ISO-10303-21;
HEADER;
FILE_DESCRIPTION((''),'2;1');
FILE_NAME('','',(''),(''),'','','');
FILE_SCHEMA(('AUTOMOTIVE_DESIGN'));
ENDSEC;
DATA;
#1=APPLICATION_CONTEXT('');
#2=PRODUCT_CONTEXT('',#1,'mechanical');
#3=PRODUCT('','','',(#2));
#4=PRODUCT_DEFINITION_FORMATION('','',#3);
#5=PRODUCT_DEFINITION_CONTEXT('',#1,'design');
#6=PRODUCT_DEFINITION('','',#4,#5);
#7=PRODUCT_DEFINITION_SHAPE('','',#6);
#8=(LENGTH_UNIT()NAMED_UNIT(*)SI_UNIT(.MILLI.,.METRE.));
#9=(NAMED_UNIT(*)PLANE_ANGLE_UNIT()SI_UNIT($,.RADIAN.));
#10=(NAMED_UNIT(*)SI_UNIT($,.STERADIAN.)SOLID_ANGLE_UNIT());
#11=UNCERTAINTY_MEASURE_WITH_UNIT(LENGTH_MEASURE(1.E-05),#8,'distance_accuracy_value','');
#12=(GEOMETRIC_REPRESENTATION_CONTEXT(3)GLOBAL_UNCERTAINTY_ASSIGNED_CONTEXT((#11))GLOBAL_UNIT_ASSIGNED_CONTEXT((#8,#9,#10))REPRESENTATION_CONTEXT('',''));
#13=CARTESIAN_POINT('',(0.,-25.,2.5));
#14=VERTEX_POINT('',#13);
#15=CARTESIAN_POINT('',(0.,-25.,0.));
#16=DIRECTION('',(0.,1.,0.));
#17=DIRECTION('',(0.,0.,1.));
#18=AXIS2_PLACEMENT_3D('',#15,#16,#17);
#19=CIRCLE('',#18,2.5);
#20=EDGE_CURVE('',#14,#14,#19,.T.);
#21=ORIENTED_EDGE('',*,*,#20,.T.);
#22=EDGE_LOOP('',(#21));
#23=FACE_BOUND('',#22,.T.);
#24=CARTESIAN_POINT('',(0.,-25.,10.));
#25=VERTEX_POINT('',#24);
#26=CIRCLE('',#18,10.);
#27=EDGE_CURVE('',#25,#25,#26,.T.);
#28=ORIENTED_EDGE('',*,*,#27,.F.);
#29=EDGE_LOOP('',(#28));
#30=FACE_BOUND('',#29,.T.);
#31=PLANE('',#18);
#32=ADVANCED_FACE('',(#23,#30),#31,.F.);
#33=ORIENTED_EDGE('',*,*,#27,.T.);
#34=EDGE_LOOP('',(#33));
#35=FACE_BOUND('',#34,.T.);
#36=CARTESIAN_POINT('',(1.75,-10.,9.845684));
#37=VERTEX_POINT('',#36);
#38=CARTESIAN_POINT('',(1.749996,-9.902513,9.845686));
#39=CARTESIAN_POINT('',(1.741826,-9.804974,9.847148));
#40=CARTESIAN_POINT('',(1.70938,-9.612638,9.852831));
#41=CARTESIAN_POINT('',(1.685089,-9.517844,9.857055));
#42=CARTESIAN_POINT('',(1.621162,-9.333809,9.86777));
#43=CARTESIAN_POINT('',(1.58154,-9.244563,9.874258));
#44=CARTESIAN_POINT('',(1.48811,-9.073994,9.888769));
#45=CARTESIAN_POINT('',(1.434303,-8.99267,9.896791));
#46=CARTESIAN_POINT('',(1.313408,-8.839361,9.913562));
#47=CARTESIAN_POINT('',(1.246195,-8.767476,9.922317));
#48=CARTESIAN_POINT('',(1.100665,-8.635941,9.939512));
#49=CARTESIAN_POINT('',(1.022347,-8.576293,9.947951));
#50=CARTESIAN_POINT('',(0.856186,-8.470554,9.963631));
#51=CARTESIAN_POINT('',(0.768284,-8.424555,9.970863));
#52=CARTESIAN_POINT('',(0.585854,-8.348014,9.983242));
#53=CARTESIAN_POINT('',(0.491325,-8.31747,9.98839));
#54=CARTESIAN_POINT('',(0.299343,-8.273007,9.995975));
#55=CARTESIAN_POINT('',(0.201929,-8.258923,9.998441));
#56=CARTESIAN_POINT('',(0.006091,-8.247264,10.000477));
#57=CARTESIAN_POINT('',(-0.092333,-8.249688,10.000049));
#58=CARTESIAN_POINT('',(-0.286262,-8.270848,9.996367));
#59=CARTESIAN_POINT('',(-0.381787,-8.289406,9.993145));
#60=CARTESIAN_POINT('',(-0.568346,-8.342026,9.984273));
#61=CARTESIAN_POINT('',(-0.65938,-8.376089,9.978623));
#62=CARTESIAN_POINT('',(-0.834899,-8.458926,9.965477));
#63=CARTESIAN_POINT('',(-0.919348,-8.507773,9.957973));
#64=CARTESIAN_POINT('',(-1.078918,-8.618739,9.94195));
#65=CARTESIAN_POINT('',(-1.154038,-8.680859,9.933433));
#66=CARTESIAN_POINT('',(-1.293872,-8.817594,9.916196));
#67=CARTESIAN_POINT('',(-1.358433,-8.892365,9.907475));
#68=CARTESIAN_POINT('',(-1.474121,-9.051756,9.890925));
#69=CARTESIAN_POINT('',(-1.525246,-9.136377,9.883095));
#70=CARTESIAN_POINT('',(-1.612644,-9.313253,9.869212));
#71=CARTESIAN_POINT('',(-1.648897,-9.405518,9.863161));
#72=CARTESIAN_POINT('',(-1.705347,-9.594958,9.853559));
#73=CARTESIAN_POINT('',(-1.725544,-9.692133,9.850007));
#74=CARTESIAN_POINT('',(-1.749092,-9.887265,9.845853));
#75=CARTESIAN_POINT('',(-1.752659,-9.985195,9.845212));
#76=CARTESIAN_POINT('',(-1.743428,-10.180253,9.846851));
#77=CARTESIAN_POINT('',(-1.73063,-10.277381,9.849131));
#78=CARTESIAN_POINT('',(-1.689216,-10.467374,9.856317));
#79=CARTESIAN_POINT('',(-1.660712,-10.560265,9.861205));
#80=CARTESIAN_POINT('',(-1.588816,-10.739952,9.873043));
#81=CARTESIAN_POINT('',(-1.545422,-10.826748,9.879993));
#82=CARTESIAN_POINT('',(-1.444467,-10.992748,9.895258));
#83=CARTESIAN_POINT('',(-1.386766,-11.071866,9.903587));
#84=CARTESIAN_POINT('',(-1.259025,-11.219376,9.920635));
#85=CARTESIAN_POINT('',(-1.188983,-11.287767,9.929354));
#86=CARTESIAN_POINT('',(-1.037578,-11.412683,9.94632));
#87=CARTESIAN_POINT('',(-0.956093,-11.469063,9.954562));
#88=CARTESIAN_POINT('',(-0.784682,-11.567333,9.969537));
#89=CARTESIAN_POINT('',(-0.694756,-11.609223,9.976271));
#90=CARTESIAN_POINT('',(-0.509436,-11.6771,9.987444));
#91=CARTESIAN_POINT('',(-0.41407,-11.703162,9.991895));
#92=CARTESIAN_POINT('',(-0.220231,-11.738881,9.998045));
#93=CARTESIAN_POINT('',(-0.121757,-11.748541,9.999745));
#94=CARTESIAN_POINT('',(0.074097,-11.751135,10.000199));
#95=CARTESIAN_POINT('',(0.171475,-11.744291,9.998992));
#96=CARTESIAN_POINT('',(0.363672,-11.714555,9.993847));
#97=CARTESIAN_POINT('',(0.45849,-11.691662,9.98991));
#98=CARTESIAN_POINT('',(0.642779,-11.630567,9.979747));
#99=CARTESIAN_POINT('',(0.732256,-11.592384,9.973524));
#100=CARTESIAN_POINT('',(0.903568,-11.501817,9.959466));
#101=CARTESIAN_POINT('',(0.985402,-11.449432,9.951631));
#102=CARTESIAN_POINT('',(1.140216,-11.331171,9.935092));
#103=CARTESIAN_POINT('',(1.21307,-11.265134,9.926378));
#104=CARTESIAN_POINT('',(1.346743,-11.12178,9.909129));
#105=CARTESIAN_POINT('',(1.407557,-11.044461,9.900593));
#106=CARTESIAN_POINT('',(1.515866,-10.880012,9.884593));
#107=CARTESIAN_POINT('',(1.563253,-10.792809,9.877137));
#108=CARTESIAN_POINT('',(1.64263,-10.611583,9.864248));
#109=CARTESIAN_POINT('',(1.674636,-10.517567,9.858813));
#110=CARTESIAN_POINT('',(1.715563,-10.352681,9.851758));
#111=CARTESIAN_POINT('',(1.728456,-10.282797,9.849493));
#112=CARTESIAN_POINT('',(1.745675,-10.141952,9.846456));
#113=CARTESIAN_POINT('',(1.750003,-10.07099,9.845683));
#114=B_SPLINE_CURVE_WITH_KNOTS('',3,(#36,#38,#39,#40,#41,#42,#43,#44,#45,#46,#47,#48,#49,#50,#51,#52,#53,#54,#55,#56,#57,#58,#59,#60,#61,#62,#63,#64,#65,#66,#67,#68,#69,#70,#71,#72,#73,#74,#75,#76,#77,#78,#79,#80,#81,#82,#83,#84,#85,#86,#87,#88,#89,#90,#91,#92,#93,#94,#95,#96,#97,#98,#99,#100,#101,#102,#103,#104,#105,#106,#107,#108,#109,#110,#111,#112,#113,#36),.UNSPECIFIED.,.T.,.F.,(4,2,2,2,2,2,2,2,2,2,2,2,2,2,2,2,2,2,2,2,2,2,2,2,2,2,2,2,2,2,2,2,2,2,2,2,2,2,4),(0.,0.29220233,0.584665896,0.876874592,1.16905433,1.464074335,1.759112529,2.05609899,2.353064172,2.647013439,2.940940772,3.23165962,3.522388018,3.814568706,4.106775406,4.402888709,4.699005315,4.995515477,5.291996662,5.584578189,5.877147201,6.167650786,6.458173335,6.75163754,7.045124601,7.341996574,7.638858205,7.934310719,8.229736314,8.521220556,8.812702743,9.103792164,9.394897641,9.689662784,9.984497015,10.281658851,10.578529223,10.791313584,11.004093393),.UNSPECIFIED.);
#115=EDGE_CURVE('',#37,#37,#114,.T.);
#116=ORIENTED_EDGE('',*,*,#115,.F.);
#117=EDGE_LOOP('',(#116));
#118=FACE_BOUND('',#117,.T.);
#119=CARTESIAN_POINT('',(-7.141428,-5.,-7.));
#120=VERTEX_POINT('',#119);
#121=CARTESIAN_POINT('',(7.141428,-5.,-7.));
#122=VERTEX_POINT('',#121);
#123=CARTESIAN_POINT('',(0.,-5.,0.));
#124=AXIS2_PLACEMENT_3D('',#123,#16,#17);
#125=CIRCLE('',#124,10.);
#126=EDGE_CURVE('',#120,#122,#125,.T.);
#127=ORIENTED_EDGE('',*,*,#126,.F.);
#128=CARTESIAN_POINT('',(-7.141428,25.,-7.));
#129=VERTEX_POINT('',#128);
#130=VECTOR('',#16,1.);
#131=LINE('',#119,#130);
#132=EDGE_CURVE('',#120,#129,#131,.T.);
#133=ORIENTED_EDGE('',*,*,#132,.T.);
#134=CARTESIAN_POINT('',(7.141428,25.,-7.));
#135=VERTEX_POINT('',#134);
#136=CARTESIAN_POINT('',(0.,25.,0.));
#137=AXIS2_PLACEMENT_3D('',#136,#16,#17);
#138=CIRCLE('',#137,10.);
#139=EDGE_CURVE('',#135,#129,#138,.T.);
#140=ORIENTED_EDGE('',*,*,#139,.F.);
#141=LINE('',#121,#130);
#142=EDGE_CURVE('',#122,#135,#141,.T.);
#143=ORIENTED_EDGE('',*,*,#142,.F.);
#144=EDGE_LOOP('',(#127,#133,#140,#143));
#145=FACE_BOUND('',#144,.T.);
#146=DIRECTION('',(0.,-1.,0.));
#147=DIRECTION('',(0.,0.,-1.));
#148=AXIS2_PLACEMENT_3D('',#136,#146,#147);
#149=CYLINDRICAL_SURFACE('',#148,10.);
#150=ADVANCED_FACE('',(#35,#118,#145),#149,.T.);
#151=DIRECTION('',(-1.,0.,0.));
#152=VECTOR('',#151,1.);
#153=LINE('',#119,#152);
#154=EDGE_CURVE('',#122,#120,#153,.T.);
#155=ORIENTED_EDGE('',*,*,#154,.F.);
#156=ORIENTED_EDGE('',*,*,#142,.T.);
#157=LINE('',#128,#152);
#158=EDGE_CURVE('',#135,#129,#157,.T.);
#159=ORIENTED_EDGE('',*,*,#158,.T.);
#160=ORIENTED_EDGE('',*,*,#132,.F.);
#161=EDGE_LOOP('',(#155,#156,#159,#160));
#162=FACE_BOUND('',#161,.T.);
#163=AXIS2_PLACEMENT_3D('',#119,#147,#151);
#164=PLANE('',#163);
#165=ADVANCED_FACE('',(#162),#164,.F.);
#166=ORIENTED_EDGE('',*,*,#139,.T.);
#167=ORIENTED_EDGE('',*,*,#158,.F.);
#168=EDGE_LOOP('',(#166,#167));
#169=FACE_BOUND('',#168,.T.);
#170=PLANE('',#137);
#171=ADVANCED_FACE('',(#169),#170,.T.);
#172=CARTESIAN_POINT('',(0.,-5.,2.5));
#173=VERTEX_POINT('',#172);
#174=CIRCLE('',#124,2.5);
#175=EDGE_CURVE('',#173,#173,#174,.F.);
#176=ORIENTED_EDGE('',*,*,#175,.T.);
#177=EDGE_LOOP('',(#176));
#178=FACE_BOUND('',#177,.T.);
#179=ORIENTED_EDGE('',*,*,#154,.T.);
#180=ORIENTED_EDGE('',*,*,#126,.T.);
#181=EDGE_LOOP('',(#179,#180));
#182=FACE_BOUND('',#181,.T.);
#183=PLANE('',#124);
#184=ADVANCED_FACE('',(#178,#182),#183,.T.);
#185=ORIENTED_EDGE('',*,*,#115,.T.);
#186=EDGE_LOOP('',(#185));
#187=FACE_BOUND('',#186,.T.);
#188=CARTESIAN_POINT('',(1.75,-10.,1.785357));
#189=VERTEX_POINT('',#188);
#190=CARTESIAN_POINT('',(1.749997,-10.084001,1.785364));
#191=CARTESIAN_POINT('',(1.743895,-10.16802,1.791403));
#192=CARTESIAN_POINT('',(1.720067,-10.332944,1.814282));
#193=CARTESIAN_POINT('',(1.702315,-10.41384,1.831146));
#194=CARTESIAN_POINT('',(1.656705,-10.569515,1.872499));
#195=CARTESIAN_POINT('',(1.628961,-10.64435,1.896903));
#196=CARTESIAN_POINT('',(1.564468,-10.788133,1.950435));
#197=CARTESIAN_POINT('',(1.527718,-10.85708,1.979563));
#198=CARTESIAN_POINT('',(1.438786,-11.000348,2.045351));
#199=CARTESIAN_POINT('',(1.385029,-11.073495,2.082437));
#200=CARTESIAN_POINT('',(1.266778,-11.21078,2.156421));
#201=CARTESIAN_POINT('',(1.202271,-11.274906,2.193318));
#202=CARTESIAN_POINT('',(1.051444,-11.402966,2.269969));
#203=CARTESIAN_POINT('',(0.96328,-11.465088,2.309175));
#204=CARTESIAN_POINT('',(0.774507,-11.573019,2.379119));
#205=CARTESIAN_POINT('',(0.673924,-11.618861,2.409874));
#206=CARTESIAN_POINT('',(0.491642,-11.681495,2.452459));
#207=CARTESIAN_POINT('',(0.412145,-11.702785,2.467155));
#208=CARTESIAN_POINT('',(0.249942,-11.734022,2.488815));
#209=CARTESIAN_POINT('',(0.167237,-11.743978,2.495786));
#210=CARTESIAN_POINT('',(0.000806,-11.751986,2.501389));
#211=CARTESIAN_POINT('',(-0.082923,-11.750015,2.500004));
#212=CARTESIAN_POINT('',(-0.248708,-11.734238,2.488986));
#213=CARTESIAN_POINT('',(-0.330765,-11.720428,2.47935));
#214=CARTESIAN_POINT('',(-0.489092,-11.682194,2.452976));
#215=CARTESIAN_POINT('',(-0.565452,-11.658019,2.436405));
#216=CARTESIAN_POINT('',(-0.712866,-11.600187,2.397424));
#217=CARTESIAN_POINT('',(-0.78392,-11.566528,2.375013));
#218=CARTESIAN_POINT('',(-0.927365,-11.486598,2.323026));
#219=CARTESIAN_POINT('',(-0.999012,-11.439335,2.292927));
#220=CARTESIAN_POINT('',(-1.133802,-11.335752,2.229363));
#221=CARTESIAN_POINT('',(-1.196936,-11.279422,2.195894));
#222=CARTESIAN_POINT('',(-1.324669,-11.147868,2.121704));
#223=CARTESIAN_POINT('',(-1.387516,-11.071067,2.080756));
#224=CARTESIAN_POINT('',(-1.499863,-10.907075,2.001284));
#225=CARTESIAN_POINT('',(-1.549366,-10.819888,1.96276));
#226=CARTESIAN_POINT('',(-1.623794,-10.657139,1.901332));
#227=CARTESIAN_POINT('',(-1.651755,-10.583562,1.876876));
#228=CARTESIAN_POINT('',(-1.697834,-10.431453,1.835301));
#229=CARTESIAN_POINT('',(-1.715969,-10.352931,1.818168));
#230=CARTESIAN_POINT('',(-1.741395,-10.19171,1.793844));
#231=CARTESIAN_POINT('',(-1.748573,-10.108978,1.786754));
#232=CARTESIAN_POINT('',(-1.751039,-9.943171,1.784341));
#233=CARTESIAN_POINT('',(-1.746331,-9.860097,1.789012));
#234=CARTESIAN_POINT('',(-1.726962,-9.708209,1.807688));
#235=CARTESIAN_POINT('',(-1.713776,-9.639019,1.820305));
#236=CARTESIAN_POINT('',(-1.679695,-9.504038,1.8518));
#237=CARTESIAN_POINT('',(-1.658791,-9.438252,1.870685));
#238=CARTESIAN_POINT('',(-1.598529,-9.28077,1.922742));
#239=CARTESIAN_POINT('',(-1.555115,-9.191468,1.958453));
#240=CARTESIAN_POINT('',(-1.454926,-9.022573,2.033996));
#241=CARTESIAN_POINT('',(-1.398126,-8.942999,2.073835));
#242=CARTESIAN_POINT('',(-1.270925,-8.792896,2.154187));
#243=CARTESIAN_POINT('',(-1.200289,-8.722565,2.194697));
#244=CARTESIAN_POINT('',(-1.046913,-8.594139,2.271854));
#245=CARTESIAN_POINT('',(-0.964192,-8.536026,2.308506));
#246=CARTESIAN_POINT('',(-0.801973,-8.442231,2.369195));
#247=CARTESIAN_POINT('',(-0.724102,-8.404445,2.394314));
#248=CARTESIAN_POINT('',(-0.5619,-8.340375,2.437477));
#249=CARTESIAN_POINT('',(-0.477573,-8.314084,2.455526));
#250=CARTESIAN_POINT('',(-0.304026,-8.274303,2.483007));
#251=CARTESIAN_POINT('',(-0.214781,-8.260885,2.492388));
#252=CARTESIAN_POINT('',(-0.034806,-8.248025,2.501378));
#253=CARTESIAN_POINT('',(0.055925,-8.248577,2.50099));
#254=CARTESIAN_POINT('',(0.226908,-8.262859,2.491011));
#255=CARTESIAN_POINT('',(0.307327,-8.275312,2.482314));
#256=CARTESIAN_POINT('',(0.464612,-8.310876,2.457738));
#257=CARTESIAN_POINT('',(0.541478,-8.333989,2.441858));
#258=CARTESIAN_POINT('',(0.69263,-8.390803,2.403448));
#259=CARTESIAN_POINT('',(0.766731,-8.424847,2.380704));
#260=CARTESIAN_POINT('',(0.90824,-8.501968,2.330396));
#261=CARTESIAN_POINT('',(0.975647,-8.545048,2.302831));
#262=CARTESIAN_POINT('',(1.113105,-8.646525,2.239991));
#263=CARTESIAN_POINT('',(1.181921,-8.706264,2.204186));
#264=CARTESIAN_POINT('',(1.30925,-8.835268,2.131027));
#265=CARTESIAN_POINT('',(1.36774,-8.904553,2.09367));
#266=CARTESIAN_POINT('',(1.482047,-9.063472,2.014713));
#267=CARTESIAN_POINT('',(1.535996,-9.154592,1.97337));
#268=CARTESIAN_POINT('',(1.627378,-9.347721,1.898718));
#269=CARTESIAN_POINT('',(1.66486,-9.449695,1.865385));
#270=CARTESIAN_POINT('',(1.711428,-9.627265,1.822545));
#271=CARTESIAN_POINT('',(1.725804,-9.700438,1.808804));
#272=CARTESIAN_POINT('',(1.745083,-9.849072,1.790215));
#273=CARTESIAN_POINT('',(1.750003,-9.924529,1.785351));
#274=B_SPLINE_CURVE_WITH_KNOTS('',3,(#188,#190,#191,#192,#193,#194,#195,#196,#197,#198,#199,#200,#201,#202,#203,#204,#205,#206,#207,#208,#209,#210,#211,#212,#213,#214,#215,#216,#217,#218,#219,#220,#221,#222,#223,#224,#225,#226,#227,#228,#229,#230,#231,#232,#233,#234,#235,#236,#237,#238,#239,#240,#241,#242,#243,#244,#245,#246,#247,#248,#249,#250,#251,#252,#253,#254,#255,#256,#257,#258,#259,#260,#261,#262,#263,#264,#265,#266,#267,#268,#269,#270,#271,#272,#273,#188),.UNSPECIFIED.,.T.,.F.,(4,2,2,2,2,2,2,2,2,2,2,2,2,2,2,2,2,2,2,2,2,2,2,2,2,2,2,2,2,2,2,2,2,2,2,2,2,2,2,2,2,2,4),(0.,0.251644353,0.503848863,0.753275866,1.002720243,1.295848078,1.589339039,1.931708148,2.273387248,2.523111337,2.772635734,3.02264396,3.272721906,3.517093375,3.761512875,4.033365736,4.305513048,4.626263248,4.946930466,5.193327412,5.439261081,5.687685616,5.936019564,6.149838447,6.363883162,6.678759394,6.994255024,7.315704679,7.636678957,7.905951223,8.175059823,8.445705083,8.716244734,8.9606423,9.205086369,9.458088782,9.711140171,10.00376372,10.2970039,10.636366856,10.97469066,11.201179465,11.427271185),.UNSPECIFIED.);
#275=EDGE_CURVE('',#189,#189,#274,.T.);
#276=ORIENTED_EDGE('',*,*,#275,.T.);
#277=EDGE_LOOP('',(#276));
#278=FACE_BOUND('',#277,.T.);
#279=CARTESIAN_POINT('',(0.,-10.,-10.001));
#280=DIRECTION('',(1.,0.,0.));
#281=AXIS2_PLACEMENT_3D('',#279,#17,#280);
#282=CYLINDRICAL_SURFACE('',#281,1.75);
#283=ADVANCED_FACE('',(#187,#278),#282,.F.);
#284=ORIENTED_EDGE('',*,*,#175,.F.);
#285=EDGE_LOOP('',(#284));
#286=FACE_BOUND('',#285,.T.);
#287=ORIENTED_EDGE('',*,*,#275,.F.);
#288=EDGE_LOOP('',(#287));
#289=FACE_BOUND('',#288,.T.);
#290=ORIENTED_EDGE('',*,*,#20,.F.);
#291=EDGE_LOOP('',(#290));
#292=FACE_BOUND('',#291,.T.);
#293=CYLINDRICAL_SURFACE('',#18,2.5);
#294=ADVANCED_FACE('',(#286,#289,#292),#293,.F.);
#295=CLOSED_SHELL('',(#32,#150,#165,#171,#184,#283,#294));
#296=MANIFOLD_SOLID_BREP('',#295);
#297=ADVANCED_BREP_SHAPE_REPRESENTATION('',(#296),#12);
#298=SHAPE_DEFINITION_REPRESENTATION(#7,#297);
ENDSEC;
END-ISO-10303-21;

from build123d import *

# Parameters (mm, degrees)
CROQUIS1_R                 = 10
SALIENTE_EXTRUIR1_DEPTH    = 25
CROQUIS3_R                 = 2.5
CORTAR_EXTRUIR2_DEPTH      = 52.961524227
CORTAR_EXTRUIR1_DEPTH      = 30
CORTAR_EXTRUIR3_REACH      = 39.417
CORTAR_EXTRUIR3_END_RADIUS = 2.5
CROQUIS7_R                 = 1.75


with BuildPart() as part:
    # Croquis1 → Saliente-Extruir1 (new, symmetric)
    with BuildSketch(Plane(origin=(0, 0, 0), x_dir=(1, 0, 0), z_dir=(0, 1, 0))):
        with Locations(Location((0, 0, 0), (0, 0, 270))):
            Circle(CROQUIS1_R)
    extrude(amount=SALIENTE_EXTRUIR1_DEPTH, both=True)

    # Croquis3 → Cortar-Extruir2 (cut, through all)
    with BuildSketch(Plane(origin=(0, 25, 0), x_dir=(1, 0, 0), z_dir=(0, 1, 0))):
        with Locations(Location((0, 0, 0), (0, 0, 270))):
            Circle(CROQUIS3_R)
    extrude(amount=-CORTAR_EXTRUIR2_DEPTH, mode=Mode.SUBTRACT)

    # Croquis2 → Cortar-Extruir1 (cut)
    with BuildSketch(Plane(origin=(0, 25, 0), x_dir=(1, 0, 0), z_dir=(0, 1, 0))):
        with BuildLine():
            Line((-7.141428429, 7), (7.141428429, 7))
            ThreePointArc((7.141428429, 7), (0, -10), (-7.141428429, 7))
        make_face()
    extrude(amount=-CORTAR_EXTRUIR1_DEPTH, mode=Mode.SUBTRACT)

    # Cortar-Extruir3: up to this cylinder (the profile starts outside it)
    cortar_extruir3_end = Plane(origin=(0, -10, 0), z_dir=(0, 1, 0)) * Cylinder(CORTAR_EXTRUIR3_END_RADIUS, 84.834, mode=Mode.PRIVATE)
    # Croquis7 → Cortar-Extruir3 (cut, up to the surface)
    with BuildSketch(Plane(origin=(0, -5, 10), x_dir=(1, 0, 0), z_dir=(0, 0, 1)), mode=Mode.PRIVATE) as cortar_extruir3_sk1:
        with Locations((0, -5)):
            Circle(CROQUIS7_R)
    cortar_extruir3_tool1 = extrude(cortar_extruir3_sk1.sketch, amount=-CORTAR_EXTRUIR3_REACH, mode=Mode.PRIVATE) - cortar_extruir3_end
    add(cortar_extruir3_tool1.solids().sort_by_distance((0, -10, 10))[0], mode=Mode.SUBTRACT)


solid = part.part
